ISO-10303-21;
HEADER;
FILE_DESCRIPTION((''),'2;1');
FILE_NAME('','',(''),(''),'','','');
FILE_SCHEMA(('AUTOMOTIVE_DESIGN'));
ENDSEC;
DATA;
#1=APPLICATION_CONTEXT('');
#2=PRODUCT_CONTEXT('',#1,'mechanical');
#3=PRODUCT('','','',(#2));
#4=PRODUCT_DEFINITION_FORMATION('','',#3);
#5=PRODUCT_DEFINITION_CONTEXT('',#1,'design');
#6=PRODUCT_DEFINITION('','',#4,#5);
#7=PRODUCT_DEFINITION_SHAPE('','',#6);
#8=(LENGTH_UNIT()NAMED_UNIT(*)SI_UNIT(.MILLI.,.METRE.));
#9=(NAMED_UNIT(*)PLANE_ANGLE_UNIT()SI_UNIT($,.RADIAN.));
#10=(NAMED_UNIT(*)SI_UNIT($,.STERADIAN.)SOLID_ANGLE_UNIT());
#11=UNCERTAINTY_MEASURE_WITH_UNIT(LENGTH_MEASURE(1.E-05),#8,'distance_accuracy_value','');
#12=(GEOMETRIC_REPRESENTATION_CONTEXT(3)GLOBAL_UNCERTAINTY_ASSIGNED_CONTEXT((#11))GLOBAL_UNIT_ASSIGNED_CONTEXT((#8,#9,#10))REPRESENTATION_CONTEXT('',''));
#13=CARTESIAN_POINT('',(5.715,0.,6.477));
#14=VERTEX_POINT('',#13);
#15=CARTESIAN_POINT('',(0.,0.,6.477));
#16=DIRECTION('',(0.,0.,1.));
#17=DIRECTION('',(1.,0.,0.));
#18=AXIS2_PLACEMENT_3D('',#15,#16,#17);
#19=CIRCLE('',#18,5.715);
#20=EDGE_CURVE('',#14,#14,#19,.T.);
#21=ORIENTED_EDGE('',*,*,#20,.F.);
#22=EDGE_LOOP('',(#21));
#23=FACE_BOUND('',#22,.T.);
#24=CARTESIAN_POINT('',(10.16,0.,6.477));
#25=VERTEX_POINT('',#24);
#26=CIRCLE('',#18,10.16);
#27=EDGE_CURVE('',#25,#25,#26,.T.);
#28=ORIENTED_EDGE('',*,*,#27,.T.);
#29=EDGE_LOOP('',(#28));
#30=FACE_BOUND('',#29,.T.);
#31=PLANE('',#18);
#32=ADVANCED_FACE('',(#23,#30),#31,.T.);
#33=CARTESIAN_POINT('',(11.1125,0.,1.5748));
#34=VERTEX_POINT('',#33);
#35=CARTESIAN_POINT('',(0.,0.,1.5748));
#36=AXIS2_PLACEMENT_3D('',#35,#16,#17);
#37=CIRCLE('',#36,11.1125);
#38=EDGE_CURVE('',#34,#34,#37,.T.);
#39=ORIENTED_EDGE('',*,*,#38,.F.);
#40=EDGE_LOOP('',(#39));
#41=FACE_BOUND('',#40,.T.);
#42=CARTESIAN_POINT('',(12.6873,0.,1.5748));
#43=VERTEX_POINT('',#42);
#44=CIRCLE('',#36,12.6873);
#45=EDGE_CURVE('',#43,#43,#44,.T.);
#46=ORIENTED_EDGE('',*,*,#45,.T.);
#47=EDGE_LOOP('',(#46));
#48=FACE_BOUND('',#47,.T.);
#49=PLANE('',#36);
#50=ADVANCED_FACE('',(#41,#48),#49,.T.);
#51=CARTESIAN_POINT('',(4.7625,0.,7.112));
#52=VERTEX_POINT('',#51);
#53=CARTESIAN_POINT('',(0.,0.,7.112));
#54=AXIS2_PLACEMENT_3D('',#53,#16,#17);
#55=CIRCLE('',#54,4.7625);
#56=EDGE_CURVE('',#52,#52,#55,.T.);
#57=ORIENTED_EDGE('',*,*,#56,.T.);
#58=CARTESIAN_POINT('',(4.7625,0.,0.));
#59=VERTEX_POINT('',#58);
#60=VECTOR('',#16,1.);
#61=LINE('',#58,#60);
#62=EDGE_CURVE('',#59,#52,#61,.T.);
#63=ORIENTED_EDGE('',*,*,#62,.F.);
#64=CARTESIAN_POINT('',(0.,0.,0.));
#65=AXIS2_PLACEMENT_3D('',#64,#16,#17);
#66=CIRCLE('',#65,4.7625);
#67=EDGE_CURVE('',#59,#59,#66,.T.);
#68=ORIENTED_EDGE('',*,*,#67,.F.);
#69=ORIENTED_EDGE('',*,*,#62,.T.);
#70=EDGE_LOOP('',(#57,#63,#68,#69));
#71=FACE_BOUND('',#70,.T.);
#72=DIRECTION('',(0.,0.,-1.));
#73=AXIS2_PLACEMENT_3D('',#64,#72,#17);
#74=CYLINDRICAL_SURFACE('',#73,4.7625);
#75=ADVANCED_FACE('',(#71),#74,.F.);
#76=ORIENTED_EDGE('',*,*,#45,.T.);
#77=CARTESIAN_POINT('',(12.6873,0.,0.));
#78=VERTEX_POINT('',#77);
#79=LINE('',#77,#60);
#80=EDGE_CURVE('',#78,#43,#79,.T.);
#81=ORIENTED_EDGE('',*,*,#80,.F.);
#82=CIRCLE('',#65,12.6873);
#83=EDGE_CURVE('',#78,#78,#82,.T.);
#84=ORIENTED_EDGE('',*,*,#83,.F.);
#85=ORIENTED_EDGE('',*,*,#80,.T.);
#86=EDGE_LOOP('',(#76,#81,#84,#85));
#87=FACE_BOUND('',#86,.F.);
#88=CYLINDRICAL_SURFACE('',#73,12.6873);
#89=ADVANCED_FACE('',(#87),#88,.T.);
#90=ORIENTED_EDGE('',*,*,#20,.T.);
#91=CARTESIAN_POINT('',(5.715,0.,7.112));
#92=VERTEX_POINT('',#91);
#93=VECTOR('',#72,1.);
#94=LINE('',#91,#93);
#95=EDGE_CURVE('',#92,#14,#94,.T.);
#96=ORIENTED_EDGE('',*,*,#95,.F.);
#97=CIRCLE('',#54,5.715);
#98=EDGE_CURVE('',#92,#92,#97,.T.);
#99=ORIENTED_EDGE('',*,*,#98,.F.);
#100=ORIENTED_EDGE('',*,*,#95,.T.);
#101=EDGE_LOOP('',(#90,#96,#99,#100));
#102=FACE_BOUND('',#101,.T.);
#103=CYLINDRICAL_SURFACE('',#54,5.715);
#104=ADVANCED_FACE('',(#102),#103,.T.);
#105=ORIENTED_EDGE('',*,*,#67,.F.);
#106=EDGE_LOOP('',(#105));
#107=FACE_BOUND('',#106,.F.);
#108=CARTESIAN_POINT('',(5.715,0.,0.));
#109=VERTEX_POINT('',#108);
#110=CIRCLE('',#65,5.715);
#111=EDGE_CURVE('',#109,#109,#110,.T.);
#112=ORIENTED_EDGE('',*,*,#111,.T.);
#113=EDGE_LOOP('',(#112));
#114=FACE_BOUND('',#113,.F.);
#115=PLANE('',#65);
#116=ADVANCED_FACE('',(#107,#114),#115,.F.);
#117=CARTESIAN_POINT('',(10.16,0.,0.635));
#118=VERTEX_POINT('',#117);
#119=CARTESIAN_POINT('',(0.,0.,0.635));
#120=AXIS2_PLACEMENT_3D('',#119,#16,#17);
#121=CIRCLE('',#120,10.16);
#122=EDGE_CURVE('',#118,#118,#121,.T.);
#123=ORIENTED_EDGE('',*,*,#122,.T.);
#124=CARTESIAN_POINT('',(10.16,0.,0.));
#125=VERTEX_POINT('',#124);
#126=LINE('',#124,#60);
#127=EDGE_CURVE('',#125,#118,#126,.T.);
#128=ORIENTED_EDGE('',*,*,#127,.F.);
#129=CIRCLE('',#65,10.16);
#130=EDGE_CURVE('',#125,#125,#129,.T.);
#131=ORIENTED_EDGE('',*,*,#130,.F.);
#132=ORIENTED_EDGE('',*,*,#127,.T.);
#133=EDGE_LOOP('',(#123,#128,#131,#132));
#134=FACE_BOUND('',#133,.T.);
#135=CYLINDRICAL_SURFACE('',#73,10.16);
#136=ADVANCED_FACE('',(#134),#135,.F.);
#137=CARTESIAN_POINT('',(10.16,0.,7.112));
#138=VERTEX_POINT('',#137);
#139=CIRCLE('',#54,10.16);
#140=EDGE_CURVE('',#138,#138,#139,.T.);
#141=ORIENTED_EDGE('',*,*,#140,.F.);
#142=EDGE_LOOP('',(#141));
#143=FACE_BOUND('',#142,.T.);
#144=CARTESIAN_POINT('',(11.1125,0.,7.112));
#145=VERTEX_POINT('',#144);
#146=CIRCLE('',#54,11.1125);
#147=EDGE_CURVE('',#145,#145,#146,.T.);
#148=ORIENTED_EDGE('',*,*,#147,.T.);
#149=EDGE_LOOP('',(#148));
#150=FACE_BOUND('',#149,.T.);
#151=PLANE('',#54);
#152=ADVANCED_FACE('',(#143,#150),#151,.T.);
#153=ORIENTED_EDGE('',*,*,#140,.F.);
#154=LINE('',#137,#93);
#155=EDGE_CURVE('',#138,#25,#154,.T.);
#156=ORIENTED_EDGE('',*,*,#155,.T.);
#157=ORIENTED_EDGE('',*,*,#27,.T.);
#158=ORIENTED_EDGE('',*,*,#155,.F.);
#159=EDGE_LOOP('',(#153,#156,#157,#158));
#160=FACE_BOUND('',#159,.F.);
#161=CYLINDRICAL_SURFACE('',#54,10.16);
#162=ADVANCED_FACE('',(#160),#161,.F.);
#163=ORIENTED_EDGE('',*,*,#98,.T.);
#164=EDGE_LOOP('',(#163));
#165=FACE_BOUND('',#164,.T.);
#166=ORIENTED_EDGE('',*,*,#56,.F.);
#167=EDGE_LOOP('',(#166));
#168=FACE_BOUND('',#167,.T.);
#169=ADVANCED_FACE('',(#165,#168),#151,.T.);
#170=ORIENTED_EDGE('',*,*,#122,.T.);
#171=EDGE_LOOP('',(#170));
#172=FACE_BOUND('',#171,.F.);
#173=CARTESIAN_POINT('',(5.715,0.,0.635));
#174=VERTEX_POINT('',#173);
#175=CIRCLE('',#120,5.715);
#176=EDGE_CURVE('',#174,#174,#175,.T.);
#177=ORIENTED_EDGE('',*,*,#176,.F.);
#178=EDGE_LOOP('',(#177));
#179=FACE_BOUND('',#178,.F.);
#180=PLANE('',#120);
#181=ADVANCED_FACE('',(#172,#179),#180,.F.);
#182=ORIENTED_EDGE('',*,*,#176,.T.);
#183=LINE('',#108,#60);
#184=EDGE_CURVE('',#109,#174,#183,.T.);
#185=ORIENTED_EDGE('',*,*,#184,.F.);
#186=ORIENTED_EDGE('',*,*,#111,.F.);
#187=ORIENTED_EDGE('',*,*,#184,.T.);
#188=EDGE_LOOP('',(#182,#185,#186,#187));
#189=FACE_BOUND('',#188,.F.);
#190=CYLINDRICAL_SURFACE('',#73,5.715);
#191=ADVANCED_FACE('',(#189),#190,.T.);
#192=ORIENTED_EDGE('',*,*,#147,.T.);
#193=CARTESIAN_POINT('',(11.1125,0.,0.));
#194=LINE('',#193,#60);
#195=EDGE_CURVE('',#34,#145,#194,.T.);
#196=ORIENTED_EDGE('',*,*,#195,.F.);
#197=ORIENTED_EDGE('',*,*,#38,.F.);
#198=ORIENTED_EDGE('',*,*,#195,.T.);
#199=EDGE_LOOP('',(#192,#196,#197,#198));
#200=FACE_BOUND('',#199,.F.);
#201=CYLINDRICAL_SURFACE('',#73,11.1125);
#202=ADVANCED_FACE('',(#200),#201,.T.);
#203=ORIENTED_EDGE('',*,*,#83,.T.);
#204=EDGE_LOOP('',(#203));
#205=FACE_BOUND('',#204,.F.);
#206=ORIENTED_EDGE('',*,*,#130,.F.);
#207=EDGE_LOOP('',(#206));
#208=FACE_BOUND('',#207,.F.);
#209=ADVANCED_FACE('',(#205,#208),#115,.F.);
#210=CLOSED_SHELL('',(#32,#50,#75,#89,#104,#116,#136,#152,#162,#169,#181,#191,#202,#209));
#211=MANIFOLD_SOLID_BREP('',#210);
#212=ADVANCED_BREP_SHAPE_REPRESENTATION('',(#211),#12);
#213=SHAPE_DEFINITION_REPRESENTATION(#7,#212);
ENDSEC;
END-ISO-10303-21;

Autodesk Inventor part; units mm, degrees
ref_plane "YZ Plane" through (0, 0, 0) normal (1, 0, 0) x (0, 1, 0)
ref_plane "XZ Plane" through (0, 0, 0) normal (0, 1, 0) x (-1, 0, 0)
ref_plane "XY Plane" through (0, 0, 0) normal (0, 0, 1) x (1, 0, 0)
sketch "Sketch1" plane through (0, 0, 0) normal (0, 0, 1) x (1, 0, 0)
  circle A0 centre (0, 0) radius 4.7625
  circle A1 centre (0, 0) radius 11.1125
  circle A2 centre (0, 0) radius 12.6873
  circle A3 centre (0, 0) radius 5.715
  circle A4 centre (0, 0) radius 10.16
  dimension "d0" = 9.525
  dimension "d1" = 22.225
  dimension "d2" = 25.3746
  dimension "d7" = 20.32
  dimension "d8" = 11.43
extrude "Extrusion1" add sketch "Sketch1" along normal blind 7.112 contours A1 | A3 | A4
extrude "Extrusion2" add sketch "Sketch1" along normal blind 1.5748 contours A2
extrude "Extrusion3" cut sketch "Sketch1" along normal blind 0.635 contours A4
sketch "Sketch2" plane through (0, 0, 7.112) normal (0, 0, 1) x (1, 0, 0)
  circle A0 centre (0, 0) radius 5.715 projected
  circle A1 centre (0, 0) radius 10.16 projected
extrude "Extrusion4" cut sketch "Sketch2" against normal blind 0.635
properties part number ".375 ID .875 OD bearing"
